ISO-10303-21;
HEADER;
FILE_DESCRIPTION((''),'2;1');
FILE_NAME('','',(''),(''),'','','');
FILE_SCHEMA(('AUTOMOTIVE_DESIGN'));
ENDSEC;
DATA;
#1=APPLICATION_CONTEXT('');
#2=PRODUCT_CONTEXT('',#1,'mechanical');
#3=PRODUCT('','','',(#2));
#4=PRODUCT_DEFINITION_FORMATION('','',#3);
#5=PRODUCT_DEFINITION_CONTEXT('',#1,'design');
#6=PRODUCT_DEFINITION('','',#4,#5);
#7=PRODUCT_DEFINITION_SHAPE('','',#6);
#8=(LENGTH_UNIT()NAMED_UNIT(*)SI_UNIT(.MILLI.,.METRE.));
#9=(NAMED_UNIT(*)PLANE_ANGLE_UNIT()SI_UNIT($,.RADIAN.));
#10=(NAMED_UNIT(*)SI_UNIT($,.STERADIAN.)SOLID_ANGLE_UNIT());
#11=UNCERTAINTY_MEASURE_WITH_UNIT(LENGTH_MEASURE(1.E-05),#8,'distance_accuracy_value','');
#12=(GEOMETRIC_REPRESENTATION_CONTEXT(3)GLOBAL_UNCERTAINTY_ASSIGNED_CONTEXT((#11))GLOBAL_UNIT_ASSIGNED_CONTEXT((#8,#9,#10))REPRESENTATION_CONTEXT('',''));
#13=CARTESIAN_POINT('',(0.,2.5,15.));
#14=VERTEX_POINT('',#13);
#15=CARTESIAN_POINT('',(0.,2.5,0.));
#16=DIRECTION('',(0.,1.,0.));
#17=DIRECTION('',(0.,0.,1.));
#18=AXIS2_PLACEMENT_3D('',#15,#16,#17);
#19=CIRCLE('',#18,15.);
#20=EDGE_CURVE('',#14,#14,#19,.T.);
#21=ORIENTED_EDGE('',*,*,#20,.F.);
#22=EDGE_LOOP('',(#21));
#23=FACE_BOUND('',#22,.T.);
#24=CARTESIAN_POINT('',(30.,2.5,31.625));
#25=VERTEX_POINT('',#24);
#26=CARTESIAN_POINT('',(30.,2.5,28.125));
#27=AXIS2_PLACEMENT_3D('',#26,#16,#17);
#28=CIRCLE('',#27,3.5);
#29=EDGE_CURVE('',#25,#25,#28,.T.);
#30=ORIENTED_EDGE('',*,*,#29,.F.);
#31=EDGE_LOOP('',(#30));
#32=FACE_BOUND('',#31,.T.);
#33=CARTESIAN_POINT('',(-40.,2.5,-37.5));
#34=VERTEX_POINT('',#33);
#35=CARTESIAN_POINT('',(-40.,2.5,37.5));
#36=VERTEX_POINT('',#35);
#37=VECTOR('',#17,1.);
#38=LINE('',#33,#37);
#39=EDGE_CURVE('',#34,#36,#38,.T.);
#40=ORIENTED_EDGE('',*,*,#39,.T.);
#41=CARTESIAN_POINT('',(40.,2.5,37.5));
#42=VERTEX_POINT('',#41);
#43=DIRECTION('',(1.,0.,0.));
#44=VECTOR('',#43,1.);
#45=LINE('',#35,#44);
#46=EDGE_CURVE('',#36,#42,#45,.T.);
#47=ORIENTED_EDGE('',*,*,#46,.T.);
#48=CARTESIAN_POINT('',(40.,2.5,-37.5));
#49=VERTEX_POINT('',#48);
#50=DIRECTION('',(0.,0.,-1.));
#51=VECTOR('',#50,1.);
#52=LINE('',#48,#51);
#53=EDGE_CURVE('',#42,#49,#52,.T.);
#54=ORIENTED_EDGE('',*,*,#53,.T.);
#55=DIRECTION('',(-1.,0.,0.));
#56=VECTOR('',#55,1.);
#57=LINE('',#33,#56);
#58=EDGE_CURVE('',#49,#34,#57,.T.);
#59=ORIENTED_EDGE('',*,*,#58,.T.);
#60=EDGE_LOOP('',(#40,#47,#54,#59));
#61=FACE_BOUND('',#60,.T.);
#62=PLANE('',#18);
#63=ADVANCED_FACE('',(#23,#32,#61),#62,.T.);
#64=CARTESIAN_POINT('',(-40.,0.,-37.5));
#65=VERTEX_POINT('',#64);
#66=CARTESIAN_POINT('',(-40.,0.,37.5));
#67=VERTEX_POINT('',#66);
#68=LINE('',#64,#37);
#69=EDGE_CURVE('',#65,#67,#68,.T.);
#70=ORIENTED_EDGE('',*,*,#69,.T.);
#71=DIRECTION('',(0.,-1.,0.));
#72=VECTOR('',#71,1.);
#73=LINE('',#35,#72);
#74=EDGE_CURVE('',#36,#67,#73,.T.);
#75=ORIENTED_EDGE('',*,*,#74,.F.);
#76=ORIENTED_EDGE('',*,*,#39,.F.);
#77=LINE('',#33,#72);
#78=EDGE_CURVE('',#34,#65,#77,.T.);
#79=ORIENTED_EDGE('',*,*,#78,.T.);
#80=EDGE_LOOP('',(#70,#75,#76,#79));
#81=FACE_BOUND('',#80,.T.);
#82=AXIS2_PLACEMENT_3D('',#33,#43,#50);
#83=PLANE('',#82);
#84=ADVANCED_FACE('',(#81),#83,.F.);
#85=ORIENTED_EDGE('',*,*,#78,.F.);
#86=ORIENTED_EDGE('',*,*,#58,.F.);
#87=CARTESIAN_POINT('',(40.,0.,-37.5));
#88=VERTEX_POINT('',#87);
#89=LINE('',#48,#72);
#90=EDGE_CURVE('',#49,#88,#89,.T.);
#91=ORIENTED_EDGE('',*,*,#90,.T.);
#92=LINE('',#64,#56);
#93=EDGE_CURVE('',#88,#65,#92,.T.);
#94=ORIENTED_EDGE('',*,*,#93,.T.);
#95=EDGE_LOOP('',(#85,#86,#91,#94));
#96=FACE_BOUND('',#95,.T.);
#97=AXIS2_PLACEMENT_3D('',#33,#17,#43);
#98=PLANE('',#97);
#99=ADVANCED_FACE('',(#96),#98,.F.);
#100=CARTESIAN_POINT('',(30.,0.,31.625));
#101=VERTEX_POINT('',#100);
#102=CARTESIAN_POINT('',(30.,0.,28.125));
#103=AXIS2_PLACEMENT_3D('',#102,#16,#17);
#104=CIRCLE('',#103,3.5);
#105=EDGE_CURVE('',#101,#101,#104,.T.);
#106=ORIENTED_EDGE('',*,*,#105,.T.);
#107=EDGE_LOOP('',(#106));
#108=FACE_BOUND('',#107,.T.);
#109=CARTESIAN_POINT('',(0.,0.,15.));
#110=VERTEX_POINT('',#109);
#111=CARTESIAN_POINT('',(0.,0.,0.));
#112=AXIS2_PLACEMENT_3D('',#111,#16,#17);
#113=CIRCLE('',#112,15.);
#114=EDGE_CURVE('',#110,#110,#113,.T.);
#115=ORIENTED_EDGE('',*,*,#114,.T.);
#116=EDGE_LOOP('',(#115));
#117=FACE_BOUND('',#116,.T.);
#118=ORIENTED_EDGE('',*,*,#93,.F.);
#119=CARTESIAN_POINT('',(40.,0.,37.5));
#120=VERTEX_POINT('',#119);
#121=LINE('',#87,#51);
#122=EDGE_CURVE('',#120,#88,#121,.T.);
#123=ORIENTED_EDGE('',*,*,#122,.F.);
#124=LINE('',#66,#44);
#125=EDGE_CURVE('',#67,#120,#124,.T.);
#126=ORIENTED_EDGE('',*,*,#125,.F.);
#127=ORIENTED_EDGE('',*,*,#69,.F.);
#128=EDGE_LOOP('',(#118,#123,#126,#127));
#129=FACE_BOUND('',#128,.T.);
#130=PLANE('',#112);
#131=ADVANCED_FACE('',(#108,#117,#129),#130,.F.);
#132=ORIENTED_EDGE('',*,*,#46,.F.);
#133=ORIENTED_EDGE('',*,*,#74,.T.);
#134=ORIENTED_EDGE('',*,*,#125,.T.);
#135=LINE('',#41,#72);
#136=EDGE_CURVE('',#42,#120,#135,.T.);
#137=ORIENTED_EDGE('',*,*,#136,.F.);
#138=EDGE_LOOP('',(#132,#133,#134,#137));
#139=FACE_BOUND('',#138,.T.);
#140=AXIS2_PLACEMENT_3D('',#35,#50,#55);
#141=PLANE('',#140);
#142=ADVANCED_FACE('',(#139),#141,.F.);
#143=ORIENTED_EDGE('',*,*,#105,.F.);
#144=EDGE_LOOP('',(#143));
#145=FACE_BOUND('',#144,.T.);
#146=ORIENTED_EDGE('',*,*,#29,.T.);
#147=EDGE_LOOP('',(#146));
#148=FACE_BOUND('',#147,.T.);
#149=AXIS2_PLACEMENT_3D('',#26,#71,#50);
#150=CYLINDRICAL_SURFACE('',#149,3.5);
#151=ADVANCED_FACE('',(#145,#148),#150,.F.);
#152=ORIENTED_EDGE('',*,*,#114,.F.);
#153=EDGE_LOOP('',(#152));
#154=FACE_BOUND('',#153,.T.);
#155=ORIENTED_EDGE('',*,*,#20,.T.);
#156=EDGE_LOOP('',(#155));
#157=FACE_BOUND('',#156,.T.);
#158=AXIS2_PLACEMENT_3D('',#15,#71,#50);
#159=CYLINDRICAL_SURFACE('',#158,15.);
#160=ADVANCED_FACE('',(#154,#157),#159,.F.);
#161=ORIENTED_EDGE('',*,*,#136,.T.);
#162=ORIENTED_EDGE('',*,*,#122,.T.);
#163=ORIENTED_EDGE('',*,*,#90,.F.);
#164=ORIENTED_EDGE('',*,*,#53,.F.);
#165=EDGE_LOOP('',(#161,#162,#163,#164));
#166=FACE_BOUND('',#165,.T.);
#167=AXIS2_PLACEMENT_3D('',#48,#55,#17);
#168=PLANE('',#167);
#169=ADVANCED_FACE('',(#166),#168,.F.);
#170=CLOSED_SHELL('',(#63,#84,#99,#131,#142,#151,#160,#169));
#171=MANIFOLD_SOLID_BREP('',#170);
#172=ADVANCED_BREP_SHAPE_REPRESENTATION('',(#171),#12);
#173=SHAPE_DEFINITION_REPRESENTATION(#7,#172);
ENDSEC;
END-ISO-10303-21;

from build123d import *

# Parameters (mm, degrees)
SKETCH2_W           = 80
SKETCH2_H           = 75
SKETCH2_R           = 15
SKETCH2_R_2         = 3.5
BOSS_EXTRUDE1_DEPTH = 2.5


with BuildPart() as part:
    # Sketch2 → Boss-Extrude1 (new body)
    with BuildSketch(Plane(origin=(0, 0, 0), x_dir=(1, 0, 0), z_dir=(0, 1, 0))):
        Rectangle(SKETCH2_W, SKETCH2_H)
        with Locations(Location((0, 0, 0), (0, 0, 270))):
            Circle(SKETCH2_R, mode=Mode.SUBTRACT)
        with Locations(Location((30, -28.125, 0), (0, 0, 270))):
            Circle(SKETCH2_R_2, mode=Mode.SUBTRACT)
    extrude(amount=BOSS_EXTRUDE1_DEPTH)


solid = part.part
